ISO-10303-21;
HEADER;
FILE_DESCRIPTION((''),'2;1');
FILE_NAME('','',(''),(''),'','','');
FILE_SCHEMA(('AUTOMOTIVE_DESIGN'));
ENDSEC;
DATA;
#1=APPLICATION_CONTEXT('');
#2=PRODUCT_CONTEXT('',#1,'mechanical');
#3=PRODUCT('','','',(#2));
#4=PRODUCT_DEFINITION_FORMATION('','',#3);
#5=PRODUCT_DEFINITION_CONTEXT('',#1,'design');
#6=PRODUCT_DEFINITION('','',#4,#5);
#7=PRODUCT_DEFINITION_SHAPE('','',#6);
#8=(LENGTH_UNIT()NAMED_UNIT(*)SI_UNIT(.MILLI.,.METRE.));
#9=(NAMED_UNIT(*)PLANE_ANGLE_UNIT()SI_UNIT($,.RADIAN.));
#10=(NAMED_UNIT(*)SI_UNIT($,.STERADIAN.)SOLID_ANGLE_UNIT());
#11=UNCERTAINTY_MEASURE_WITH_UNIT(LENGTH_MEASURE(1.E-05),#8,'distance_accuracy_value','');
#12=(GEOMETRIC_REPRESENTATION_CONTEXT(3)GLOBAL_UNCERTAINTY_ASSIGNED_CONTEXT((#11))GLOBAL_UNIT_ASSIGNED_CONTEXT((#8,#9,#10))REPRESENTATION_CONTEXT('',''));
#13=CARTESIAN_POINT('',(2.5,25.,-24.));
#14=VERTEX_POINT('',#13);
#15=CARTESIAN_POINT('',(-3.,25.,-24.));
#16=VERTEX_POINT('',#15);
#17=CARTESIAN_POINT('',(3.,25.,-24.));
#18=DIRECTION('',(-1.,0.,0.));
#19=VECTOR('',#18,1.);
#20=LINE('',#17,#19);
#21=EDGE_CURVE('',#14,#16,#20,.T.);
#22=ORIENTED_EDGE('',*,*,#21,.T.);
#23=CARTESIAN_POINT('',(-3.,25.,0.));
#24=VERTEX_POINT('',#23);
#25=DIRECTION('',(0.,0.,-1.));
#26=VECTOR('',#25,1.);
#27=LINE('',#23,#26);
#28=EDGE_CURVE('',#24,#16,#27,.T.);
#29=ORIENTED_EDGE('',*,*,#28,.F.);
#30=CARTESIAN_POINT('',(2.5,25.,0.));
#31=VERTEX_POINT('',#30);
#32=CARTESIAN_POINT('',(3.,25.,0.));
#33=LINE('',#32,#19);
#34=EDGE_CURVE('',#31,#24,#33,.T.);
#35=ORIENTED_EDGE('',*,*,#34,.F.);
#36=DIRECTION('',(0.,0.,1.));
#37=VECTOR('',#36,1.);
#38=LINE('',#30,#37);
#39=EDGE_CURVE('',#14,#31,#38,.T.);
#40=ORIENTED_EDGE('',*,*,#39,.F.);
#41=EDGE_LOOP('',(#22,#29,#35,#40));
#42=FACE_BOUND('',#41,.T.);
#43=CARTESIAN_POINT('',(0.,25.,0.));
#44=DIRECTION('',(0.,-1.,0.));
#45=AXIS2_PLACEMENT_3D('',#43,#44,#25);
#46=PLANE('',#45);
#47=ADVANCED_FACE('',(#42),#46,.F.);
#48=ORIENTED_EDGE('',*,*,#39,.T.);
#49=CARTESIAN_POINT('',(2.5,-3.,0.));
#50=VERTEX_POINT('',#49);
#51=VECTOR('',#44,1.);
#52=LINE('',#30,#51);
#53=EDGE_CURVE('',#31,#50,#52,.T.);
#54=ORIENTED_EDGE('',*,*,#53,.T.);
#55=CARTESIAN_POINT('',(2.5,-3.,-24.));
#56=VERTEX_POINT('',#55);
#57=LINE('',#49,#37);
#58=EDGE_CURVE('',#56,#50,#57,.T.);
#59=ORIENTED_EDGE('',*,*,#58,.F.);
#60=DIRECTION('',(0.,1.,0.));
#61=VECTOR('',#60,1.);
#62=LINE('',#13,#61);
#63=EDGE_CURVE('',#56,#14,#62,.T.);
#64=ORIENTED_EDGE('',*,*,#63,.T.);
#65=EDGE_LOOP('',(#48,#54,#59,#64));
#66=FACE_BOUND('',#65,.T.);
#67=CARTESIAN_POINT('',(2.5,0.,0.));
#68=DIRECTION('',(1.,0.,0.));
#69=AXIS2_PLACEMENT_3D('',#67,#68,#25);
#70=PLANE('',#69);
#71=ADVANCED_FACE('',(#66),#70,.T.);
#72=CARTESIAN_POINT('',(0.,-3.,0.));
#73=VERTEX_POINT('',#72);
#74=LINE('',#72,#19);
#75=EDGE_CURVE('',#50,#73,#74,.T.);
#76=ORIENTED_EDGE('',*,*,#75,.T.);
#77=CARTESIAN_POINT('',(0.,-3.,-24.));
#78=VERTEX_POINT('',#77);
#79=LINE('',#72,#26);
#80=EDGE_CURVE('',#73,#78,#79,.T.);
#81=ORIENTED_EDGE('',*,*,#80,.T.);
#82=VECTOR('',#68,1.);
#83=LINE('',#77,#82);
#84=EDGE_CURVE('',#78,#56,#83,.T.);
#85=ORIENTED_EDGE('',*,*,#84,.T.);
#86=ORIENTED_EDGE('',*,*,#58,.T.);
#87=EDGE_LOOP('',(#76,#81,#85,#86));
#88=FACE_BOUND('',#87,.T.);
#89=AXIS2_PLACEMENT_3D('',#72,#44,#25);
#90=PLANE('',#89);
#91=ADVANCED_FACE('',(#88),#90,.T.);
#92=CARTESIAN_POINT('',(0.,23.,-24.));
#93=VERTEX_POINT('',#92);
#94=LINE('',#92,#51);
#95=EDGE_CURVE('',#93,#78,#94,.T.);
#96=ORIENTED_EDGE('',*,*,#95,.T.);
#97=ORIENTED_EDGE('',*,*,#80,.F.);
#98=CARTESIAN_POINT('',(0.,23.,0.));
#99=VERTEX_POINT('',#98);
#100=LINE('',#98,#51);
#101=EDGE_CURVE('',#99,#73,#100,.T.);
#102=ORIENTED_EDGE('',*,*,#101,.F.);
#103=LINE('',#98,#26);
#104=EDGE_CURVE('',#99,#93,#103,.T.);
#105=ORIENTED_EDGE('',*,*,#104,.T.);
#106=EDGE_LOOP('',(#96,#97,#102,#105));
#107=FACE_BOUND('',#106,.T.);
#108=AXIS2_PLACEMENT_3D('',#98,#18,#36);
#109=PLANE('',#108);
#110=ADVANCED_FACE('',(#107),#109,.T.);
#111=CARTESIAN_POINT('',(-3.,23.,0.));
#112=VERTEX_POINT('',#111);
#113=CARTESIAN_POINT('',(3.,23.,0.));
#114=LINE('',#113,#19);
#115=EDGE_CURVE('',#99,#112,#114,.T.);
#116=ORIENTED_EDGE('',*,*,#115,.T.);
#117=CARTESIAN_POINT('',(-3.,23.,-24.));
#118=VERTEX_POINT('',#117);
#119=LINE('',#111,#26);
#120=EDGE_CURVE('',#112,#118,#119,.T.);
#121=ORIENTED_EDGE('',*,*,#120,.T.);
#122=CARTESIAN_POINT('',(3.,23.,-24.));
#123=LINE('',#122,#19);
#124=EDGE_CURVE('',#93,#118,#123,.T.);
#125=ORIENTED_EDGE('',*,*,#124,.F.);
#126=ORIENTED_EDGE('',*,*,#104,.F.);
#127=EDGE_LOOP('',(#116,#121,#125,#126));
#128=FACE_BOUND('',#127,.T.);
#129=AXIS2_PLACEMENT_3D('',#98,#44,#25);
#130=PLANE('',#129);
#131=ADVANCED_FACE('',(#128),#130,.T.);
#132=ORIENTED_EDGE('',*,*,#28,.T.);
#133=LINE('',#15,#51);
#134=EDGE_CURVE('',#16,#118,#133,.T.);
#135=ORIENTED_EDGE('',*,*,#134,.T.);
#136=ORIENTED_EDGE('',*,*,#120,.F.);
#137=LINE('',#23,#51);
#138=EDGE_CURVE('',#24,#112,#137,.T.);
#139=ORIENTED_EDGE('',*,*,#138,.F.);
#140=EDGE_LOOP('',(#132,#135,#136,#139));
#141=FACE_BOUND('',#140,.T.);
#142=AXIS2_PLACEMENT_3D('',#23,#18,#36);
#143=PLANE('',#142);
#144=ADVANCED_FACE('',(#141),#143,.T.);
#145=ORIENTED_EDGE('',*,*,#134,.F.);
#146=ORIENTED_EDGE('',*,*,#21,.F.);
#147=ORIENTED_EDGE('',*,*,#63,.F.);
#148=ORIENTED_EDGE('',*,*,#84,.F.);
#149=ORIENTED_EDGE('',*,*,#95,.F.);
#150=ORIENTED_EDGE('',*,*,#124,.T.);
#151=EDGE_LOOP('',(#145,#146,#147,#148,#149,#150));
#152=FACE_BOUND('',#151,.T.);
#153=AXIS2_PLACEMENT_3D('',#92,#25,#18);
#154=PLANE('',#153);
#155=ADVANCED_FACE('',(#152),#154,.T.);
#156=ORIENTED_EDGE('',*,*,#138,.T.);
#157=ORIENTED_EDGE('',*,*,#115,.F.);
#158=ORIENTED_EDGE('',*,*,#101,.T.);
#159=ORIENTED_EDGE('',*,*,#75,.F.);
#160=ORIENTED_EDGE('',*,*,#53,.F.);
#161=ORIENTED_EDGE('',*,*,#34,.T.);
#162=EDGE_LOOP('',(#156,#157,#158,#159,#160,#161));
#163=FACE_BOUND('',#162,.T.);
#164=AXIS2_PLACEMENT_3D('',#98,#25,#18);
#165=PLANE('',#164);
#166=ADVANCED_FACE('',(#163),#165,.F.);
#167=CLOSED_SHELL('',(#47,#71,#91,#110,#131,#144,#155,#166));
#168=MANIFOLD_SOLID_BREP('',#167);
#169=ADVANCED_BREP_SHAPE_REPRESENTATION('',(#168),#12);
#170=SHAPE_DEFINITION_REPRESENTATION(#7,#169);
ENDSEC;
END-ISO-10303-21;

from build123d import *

# Parameters (mm, degrees)
SKETCH1_W           = 3
SKETCH1_H           = 24
BOSS_EXTRUDE1_DEPTH = 23
SKETCH2_W           = 6
SKETCH2_H           = 24
BOSS_EXTRUDE2_DEPTH = 2
SKETCH4_W           = 3
SKETCH4_H           = 24
BOSS_EXTRUDE3_DEPTH = 2
SKETCH5_W           = 24
SKETCH5_H           = 27
CUT_EXTRUDE1_DEPTH  = 0.5
SKETCH6_W           = 2.5
SKETCH6_H           = 24
BOSS_EXTRUDE4_DEPTH = 1


with BuildPart() as part:
    # Sketch1 → Boss-Extrude1 (new body)
    with BuildSketch(Plane(origin=(0, 0, 0), x_dir=(1, 0, 0), z_dir=(0, 1, 0))):
        with Locations((1.5, 12)):
            Rectangle(SKETCH1_W, SKETCH1_H)
    extrude(amount=BOSS_EXTRUDE1_DEPTH)

    # Sketch2 → Boss-Extrude2 (add)
    with BuildSketch(Plane(origin=(0, 23, 0), x_dir=(1, 0, 0), z_dir=(0, 1, 0))):
        with Locations((0, 12)):
            Rectangle(SKETCH2_W, SKETCH2_H)
    extrude(amount=BOSS_EXTRUDE2_DEPTH)

    # Sketch4 → Boss-Extrude3 (add)
    with BuildSketch(Plane.XZ):
        with Locations((1.5, -12)):
            Rectangle(SKETCH4_W, SKETCH4_H)
    extrude(amount=BOSS_EXTRUDE3_DEPTH)

    # Sketch5 → Cut-Extrude1 (cut)
    with BuildSketch(Plane(origin=(3, 0, 0), x_dir=(0, 0, -1), z_dir=(1, 0, 0))):
        with Locations((12, 11.5)):
            Rectangle(SKETCH5_W, SKETCH5_H)
    extrude(amount=-CUT_EXTRUDE1_DEPTH, mode=Mode.SUBTRACT)

    # Sketch6 → Boss-Extrude4 (add)
    with BuildSketch(Plane.XZ.offset(2)):
        with Locations((1.25, -12)):
            Rectangle(SKETCH6_W, SKETCH6_H)
    extrude(amount=BOSS_EXTRUDE4_DEPTH)


solid = part.part
